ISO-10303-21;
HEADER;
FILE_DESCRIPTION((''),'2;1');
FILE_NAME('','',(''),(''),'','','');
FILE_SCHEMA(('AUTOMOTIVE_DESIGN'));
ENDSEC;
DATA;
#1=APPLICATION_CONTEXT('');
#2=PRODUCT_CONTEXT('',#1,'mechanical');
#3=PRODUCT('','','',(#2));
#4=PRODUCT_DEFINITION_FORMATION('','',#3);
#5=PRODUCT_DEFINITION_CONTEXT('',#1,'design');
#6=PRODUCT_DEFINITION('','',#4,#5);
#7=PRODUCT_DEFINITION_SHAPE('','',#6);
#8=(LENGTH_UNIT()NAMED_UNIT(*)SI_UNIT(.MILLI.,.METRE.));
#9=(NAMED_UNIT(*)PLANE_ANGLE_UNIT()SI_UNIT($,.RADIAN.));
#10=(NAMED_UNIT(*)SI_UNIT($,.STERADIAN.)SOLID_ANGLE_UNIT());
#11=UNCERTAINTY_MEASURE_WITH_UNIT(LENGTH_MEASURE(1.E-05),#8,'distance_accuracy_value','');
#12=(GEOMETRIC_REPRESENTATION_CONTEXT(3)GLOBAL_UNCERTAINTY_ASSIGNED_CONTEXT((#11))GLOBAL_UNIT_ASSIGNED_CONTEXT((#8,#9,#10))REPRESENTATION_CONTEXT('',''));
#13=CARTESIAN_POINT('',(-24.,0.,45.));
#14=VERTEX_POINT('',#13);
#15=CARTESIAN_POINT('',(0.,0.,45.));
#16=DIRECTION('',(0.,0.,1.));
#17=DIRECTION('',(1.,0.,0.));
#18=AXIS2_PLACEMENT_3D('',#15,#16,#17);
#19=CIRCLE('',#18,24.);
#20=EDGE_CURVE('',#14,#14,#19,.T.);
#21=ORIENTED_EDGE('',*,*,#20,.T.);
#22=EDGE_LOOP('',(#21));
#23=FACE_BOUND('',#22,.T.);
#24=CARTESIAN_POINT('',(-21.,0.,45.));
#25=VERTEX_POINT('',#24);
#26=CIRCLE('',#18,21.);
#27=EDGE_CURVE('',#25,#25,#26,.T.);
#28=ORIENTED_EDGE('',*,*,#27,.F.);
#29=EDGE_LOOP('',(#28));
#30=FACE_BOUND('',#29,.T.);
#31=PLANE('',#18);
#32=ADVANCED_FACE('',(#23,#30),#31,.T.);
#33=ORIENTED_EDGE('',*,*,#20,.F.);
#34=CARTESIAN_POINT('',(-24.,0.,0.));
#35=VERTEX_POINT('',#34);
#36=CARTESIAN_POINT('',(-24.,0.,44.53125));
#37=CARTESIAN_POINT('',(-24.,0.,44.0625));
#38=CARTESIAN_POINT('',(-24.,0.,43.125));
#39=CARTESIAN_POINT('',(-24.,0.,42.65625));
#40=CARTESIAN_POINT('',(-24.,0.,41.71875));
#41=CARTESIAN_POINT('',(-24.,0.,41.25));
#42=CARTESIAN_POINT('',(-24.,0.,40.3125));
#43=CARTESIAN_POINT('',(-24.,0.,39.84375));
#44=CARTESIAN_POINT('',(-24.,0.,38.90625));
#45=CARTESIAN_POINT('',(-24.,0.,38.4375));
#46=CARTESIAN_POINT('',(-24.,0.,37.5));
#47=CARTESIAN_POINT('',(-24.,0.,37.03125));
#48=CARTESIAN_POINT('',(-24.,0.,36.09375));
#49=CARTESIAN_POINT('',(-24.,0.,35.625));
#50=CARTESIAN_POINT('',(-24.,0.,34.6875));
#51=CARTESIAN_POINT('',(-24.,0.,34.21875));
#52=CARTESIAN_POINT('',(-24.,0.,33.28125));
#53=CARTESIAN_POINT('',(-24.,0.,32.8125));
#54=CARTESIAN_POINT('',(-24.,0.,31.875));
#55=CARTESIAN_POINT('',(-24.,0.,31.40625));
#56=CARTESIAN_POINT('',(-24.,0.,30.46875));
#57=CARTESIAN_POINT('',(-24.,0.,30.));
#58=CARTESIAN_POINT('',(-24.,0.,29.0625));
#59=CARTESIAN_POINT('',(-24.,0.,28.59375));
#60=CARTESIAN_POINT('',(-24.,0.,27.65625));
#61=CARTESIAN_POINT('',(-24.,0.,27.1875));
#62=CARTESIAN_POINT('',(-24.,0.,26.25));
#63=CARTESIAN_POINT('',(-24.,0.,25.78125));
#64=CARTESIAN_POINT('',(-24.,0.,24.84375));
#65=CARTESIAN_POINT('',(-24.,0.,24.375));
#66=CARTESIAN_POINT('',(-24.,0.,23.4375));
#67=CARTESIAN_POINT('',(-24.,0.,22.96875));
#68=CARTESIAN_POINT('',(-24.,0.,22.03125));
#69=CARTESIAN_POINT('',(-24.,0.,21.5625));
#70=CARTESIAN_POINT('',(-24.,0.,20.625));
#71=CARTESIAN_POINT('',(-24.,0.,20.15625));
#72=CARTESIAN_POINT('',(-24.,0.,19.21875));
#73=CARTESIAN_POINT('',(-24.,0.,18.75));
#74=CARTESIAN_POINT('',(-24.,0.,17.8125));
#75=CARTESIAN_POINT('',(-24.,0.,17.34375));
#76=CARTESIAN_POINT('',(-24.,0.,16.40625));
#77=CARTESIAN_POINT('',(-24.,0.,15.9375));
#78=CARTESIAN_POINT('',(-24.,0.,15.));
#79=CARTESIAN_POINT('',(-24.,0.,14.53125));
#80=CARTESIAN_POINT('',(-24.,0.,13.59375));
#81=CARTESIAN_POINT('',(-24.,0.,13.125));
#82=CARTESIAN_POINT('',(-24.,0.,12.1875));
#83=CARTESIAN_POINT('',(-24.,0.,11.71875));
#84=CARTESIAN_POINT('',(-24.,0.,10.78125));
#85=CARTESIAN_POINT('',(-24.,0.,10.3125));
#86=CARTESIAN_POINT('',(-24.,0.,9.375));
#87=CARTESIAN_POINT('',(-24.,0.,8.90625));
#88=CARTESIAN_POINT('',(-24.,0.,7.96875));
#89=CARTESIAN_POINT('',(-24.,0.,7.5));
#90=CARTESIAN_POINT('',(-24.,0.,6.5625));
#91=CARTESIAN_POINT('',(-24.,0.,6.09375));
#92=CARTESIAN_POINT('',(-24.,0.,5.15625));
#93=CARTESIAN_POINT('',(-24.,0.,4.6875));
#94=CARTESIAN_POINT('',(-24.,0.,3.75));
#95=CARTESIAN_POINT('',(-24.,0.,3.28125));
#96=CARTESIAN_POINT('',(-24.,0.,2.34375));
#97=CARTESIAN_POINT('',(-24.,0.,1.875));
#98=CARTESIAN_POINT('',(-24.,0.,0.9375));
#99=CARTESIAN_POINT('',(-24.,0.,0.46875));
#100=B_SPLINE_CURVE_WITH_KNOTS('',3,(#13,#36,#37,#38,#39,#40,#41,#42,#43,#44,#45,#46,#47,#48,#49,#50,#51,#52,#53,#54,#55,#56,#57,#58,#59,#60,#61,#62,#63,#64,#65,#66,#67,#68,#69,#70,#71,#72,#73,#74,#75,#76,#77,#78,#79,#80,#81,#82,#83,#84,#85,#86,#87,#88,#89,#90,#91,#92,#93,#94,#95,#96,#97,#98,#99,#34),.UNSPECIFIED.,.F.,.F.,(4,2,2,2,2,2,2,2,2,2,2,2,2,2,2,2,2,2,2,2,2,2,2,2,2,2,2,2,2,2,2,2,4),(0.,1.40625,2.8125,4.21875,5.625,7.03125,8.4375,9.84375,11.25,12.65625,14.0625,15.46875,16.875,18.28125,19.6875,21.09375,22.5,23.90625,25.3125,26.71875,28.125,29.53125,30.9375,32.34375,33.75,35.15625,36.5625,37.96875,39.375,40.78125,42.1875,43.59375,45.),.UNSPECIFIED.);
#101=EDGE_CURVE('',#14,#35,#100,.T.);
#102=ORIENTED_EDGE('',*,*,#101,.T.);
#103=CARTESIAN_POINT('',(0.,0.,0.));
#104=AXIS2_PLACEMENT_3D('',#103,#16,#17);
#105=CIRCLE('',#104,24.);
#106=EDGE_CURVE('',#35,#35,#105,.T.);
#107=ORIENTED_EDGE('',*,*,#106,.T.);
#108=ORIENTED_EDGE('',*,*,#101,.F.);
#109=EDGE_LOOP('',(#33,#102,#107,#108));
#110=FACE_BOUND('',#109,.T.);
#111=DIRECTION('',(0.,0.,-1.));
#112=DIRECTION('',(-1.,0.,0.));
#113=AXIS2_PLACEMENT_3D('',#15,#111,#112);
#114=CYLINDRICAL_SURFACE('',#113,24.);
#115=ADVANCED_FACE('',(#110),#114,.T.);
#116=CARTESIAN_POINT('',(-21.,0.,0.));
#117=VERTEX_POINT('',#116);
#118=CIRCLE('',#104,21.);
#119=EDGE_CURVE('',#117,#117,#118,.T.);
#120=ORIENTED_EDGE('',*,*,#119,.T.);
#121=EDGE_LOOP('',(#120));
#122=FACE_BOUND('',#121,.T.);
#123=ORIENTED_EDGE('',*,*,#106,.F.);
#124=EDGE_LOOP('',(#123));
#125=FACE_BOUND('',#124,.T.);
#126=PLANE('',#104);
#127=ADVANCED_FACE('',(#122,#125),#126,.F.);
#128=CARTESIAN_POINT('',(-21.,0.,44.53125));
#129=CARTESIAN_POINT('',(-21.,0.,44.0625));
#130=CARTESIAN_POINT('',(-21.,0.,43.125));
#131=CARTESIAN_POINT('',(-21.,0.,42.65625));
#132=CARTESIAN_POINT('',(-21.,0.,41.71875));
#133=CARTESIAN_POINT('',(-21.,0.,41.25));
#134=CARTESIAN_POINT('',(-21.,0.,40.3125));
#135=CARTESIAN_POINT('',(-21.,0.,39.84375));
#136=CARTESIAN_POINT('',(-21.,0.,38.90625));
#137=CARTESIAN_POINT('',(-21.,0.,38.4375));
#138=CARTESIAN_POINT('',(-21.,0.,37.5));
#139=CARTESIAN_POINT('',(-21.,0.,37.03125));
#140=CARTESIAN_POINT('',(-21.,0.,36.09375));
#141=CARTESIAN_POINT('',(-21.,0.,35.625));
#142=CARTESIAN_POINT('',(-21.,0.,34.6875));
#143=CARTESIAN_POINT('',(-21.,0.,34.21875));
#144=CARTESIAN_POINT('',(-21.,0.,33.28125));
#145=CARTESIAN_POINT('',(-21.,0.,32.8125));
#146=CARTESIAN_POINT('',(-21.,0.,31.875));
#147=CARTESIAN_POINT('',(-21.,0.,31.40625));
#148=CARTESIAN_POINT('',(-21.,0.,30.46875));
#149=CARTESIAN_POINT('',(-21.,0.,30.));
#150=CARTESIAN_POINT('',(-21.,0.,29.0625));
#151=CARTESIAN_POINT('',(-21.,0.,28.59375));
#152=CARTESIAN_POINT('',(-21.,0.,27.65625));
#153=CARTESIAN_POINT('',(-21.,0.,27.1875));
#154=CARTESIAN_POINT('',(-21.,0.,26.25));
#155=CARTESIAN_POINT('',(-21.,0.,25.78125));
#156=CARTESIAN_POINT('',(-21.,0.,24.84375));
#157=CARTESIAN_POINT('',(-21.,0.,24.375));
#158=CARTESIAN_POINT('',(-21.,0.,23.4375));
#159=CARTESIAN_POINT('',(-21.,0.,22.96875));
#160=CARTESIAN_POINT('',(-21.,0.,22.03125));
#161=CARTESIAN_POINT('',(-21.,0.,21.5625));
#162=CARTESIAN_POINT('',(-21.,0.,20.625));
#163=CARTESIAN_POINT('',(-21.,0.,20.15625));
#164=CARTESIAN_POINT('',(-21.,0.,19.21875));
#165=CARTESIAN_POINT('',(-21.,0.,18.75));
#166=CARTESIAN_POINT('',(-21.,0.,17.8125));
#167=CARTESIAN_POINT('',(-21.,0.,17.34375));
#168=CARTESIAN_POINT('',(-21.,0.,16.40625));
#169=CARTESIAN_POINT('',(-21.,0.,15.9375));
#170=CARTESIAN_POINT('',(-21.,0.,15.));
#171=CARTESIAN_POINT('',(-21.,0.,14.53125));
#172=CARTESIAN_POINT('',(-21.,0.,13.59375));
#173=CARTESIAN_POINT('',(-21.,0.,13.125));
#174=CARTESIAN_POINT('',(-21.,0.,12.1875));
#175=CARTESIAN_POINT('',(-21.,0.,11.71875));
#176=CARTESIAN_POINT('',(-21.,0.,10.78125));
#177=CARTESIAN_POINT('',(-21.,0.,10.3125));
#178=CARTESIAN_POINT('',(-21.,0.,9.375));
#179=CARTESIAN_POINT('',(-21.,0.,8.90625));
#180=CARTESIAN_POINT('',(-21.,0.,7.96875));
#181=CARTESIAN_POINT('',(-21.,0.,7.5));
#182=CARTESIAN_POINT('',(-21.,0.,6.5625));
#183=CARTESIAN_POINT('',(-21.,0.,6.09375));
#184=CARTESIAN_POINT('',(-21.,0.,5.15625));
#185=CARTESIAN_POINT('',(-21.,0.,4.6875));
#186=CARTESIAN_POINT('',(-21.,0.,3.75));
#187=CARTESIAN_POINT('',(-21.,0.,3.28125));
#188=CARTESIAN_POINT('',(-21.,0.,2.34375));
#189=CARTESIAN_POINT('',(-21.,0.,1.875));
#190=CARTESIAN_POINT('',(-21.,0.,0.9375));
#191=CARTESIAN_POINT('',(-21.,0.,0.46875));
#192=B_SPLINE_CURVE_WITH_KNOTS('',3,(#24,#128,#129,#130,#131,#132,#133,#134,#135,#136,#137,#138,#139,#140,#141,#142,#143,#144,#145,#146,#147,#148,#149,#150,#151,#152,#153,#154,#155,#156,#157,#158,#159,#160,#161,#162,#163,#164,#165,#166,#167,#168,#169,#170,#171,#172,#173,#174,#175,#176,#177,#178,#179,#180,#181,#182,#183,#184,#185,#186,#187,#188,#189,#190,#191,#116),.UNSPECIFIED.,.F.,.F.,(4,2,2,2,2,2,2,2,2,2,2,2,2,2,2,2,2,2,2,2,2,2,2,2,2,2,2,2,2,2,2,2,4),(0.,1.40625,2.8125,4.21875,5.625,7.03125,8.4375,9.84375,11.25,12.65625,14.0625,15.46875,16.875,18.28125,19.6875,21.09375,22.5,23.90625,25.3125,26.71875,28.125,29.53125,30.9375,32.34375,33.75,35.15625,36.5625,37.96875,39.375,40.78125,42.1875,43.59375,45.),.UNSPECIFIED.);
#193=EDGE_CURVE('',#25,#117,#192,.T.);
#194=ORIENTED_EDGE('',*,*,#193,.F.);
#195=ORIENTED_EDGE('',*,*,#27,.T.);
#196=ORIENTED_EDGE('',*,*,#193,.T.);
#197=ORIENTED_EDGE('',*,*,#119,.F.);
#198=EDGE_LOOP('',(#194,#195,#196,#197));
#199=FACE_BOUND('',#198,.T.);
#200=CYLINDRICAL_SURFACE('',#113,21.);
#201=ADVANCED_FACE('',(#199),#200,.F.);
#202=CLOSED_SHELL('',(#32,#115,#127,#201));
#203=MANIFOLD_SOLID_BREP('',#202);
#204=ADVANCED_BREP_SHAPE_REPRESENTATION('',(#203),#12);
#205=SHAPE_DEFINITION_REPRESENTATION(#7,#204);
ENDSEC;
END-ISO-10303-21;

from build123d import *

# Parameters (mm, degrees)
SKETCH2_R           = 24
SKETCH2_R_2         = 21
BOSS_EXTRUDE1_DEPTH = 45


with BuildPart() as part:
    # Sketch2 → Boss-Extrude1 (new body)
    with BuildSketch(Plane.XY):
        with Locations(Location((0, 0, 0), (0, 0, 180))):
            Circle(SKETCH2_R)
        with Locations(Location((0, 0, 0), (0, 0, 180))):
            Circle(SKETCH2_R_2, mode=Mode.SUBTRACT)
    extrude(amount=BOSS_EXTRUDE1_DEPTH)


solid = part.part
